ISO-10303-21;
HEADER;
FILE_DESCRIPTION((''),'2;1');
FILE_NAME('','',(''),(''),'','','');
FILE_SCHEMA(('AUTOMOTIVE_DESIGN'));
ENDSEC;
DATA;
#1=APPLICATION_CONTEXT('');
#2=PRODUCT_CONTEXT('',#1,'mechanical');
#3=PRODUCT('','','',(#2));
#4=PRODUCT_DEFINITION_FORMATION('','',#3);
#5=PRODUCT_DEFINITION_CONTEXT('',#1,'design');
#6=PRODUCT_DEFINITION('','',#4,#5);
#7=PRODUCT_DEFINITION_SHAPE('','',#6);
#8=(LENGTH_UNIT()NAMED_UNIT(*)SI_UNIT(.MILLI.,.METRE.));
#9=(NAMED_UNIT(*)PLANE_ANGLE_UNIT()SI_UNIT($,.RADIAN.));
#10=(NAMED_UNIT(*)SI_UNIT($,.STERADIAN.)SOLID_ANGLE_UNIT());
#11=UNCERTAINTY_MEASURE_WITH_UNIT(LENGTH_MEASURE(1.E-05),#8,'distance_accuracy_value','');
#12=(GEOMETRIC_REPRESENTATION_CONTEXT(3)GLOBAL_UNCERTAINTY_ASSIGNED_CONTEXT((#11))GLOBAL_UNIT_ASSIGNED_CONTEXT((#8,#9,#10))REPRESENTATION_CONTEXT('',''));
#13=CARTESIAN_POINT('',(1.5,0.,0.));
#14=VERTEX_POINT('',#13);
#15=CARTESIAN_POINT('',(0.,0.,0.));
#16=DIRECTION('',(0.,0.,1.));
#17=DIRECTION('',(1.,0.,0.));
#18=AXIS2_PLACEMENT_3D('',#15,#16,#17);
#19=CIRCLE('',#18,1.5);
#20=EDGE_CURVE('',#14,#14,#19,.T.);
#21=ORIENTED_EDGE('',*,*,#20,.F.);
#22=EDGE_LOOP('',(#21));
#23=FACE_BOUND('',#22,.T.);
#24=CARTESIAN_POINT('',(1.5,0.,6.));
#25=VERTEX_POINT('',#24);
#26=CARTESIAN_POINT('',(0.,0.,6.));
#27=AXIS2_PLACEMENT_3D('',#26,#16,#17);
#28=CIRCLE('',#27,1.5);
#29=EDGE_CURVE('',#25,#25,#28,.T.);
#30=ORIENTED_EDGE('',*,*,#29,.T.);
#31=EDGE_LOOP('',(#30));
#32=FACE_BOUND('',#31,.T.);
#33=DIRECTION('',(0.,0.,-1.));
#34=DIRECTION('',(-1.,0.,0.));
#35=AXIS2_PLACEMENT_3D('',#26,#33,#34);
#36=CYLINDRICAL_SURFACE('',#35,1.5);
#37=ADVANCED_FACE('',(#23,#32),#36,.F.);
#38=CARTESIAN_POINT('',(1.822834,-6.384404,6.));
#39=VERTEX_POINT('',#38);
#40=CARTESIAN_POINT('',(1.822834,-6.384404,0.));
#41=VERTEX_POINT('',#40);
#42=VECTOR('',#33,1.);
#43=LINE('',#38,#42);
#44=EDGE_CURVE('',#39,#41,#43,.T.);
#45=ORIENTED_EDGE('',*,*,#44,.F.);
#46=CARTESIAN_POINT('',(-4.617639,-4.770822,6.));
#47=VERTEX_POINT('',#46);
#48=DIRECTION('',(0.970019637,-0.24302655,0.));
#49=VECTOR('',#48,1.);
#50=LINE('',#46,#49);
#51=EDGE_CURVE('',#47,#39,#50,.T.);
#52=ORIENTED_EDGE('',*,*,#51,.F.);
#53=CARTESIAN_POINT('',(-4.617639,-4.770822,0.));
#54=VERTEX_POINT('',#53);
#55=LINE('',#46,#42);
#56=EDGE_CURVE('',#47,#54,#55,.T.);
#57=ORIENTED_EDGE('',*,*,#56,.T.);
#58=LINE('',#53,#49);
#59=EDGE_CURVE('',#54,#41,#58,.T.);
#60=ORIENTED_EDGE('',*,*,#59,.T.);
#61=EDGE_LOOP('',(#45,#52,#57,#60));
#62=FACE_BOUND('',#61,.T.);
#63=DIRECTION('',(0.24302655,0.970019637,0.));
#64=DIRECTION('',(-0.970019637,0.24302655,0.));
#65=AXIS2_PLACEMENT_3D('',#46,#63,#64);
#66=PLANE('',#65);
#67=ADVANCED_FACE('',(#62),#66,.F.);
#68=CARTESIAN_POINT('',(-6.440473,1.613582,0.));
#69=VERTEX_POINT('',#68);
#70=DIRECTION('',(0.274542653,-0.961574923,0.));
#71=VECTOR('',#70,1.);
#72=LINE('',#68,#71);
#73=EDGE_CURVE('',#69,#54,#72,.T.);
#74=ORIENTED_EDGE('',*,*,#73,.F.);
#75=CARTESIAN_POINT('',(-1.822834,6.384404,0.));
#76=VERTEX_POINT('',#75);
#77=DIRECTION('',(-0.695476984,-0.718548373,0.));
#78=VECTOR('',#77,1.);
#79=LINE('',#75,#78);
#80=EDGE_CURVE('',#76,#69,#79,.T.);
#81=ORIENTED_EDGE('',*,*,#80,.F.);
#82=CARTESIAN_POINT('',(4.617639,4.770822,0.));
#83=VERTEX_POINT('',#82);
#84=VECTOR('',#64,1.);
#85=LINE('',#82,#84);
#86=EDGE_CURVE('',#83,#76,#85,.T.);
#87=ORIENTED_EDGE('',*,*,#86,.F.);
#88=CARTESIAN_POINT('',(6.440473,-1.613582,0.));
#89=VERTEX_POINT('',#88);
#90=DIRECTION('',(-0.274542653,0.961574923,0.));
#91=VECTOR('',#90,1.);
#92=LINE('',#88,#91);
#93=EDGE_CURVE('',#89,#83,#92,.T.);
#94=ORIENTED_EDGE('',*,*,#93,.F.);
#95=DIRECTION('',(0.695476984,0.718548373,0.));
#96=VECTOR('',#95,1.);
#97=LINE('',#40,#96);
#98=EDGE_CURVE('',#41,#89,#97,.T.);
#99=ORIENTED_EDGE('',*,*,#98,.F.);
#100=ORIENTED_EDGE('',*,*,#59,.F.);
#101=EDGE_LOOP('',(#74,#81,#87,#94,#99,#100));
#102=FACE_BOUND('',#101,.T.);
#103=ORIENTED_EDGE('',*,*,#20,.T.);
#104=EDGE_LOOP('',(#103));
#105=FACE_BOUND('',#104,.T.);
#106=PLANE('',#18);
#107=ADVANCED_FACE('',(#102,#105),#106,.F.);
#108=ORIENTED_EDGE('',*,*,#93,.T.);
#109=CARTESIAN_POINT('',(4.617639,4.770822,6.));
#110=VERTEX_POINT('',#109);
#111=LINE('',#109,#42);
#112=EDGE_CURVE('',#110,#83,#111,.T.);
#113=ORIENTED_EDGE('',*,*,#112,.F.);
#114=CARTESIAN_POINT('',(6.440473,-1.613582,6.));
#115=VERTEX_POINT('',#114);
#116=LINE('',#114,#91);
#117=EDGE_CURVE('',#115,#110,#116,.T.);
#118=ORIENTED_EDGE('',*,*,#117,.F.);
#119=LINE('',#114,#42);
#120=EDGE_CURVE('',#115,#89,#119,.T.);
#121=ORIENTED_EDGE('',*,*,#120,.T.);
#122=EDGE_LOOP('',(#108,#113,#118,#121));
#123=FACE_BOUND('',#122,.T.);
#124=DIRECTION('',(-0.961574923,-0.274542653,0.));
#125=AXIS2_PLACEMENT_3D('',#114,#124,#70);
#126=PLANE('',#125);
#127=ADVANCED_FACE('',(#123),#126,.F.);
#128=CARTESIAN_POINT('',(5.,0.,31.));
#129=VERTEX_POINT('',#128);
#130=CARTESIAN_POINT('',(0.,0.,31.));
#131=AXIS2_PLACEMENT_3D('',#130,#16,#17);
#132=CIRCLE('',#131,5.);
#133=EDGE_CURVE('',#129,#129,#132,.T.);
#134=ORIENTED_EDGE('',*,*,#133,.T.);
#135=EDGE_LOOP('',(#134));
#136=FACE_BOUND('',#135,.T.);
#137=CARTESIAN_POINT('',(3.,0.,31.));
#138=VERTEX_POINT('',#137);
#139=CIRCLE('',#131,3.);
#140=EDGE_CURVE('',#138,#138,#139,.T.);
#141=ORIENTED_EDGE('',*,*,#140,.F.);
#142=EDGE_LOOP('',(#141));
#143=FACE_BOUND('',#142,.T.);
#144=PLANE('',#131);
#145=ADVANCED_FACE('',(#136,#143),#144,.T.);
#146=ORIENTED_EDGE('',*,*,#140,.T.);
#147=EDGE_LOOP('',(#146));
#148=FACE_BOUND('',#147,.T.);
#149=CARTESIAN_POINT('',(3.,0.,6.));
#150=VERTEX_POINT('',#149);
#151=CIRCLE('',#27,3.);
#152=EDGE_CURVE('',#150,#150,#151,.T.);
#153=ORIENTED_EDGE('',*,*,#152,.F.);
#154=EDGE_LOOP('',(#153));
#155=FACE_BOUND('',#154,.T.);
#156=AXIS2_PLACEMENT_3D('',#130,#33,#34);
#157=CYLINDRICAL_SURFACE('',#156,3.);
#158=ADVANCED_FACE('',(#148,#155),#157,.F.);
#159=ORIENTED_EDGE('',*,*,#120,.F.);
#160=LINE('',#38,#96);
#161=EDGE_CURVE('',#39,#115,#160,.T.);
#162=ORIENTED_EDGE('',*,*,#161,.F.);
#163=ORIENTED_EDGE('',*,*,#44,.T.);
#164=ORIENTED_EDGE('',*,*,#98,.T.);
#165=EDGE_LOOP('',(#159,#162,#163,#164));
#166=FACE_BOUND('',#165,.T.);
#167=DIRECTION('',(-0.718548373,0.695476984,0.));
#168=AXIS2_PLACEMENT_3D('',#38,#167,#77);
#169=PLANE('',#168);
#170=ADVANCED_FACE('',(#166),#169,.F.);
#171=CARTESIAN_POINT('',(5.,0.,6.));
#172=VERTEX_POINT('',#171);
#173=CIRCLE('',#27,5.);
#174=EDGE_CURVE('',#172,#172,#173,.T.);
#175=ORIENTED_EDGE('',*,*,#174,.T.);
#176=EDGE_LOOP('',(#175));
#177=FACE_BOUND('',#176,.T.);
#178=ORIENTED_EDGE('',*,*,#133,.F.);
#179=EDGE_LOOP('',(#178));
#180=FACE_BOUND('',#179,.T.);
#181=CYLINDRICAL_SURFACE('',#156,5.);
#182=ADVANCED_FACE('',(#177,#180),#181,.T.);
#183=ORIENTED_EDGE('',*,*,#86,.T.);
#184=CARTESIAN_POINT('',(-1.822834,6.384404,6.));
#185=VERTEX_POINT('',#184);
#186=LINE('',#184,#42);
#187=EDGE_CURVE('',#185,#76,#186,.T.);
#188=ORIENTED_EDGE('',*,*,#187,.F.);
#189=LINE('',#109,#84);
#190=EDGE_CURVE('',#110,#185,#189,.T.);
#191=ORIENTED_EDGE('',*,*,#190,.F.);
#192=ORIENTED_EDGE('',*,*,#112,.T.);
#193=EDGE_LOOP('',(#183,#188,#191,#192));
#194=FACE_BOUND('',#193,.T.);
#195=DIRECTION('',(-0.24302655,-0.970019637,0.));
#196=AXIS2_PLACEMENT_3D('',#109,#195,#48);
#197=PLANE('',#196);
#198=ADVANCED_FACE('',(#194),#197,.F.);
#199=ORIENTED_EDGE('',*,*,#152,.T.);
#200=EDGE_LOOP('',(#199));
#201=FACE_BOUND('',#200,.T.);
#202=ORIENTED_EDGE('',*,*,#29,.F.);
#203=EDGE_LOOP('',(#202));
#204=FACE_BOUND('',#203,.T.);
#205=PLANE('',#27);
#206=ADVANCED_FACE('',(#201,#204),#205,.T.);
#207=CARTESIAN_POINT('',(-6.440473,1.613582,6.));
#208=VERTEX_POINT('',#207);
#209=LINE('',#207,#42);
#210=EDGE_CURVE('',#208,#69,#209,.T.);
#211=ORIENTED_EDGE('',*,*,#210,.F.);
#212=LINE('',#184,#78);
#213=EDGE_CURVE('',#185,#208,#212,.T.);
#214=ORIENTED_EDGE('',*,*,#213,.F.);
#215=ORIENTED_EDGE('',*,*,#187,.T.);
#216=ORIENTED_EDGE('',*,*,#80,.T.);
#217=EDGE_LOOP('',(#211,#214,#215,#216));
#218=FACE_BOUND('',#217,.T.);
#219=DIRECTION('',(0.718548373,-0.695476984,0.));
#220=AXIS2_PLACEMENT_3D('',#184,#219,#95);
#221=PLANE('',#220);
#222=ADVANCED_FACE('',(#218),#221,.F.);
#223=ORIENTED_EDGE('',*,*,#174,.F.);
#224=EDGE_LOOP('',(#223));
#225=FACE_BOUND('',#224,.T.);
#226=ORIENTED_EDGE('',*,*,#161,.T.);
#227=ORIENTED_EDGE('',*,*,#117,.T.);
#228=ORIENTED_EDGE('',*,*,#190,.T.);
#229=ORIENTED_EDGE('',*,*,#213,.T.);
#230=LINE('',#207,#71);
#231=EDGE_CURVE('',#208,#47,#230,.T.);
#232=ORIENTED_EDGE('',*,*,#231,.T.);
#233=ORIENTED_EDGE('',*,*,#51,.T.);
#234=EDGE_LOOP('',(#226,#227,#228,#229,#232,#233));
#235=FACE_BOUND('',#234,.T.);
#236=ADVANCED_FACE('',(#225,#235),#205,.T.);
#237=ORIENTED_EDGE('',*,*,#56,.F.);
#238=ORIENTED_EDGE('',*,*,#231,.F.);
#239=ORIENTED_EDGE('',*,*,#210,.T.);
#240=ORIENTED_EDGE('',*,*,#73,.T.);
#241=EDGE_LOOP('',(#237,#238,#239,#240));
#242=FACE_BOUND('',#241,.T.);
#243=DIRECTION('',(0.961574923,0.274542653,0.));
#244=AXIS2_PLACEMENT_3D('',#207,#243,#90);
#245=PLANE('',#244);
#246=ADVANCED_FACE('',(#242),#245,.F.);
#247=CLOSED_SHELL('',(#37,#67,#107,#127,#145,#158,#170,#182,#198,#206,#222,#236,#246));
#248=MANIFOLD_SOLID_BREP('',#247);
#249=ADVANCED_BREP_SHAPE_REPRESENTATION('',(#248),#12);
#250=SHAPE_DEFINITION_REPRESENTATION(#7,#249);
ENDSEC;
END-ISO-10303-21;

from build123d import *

# Parameters (mm, degrees)
SKETCH1_R           = 1.5
BOSS_EXTRUDE1_DEPTH = 6
SKETCH2_R           = 5
SKETCH2_R_2         = 3
BOSS_EXTRUDE2_DEPTH = 25


with BuildPart() as part:
    # Sketch1 → Boss-Extrude1 (new body)
    with BuildSketch(Plane.XY):
        Polygon((-6.440472633, 1.613581606), (-4.617638978, -4.77082211), (1.822833655, -6.384403715), (6.440472633, -1.613581606), (4.617638978, 4.77082211), (-1.822833655, 6.384403715), align=None)
        Circle(SKETCH1_R, mode=Mode.SUBTRACT)
    extrude(amount=BOSS_EXTRUDE1_DEPTH)

    # Sketch2 → Boss-Extrude2 (add)
    with BuildSketch(Plane.XY.offset(6)):
        Circle(SKETCH2_R)
        Circle(SKETCH2_R_2, mode=Mode.SUBTRACT)
    extrude(amount=BOSS_EXTRUDE2_DEPTH)


solid = part.part
